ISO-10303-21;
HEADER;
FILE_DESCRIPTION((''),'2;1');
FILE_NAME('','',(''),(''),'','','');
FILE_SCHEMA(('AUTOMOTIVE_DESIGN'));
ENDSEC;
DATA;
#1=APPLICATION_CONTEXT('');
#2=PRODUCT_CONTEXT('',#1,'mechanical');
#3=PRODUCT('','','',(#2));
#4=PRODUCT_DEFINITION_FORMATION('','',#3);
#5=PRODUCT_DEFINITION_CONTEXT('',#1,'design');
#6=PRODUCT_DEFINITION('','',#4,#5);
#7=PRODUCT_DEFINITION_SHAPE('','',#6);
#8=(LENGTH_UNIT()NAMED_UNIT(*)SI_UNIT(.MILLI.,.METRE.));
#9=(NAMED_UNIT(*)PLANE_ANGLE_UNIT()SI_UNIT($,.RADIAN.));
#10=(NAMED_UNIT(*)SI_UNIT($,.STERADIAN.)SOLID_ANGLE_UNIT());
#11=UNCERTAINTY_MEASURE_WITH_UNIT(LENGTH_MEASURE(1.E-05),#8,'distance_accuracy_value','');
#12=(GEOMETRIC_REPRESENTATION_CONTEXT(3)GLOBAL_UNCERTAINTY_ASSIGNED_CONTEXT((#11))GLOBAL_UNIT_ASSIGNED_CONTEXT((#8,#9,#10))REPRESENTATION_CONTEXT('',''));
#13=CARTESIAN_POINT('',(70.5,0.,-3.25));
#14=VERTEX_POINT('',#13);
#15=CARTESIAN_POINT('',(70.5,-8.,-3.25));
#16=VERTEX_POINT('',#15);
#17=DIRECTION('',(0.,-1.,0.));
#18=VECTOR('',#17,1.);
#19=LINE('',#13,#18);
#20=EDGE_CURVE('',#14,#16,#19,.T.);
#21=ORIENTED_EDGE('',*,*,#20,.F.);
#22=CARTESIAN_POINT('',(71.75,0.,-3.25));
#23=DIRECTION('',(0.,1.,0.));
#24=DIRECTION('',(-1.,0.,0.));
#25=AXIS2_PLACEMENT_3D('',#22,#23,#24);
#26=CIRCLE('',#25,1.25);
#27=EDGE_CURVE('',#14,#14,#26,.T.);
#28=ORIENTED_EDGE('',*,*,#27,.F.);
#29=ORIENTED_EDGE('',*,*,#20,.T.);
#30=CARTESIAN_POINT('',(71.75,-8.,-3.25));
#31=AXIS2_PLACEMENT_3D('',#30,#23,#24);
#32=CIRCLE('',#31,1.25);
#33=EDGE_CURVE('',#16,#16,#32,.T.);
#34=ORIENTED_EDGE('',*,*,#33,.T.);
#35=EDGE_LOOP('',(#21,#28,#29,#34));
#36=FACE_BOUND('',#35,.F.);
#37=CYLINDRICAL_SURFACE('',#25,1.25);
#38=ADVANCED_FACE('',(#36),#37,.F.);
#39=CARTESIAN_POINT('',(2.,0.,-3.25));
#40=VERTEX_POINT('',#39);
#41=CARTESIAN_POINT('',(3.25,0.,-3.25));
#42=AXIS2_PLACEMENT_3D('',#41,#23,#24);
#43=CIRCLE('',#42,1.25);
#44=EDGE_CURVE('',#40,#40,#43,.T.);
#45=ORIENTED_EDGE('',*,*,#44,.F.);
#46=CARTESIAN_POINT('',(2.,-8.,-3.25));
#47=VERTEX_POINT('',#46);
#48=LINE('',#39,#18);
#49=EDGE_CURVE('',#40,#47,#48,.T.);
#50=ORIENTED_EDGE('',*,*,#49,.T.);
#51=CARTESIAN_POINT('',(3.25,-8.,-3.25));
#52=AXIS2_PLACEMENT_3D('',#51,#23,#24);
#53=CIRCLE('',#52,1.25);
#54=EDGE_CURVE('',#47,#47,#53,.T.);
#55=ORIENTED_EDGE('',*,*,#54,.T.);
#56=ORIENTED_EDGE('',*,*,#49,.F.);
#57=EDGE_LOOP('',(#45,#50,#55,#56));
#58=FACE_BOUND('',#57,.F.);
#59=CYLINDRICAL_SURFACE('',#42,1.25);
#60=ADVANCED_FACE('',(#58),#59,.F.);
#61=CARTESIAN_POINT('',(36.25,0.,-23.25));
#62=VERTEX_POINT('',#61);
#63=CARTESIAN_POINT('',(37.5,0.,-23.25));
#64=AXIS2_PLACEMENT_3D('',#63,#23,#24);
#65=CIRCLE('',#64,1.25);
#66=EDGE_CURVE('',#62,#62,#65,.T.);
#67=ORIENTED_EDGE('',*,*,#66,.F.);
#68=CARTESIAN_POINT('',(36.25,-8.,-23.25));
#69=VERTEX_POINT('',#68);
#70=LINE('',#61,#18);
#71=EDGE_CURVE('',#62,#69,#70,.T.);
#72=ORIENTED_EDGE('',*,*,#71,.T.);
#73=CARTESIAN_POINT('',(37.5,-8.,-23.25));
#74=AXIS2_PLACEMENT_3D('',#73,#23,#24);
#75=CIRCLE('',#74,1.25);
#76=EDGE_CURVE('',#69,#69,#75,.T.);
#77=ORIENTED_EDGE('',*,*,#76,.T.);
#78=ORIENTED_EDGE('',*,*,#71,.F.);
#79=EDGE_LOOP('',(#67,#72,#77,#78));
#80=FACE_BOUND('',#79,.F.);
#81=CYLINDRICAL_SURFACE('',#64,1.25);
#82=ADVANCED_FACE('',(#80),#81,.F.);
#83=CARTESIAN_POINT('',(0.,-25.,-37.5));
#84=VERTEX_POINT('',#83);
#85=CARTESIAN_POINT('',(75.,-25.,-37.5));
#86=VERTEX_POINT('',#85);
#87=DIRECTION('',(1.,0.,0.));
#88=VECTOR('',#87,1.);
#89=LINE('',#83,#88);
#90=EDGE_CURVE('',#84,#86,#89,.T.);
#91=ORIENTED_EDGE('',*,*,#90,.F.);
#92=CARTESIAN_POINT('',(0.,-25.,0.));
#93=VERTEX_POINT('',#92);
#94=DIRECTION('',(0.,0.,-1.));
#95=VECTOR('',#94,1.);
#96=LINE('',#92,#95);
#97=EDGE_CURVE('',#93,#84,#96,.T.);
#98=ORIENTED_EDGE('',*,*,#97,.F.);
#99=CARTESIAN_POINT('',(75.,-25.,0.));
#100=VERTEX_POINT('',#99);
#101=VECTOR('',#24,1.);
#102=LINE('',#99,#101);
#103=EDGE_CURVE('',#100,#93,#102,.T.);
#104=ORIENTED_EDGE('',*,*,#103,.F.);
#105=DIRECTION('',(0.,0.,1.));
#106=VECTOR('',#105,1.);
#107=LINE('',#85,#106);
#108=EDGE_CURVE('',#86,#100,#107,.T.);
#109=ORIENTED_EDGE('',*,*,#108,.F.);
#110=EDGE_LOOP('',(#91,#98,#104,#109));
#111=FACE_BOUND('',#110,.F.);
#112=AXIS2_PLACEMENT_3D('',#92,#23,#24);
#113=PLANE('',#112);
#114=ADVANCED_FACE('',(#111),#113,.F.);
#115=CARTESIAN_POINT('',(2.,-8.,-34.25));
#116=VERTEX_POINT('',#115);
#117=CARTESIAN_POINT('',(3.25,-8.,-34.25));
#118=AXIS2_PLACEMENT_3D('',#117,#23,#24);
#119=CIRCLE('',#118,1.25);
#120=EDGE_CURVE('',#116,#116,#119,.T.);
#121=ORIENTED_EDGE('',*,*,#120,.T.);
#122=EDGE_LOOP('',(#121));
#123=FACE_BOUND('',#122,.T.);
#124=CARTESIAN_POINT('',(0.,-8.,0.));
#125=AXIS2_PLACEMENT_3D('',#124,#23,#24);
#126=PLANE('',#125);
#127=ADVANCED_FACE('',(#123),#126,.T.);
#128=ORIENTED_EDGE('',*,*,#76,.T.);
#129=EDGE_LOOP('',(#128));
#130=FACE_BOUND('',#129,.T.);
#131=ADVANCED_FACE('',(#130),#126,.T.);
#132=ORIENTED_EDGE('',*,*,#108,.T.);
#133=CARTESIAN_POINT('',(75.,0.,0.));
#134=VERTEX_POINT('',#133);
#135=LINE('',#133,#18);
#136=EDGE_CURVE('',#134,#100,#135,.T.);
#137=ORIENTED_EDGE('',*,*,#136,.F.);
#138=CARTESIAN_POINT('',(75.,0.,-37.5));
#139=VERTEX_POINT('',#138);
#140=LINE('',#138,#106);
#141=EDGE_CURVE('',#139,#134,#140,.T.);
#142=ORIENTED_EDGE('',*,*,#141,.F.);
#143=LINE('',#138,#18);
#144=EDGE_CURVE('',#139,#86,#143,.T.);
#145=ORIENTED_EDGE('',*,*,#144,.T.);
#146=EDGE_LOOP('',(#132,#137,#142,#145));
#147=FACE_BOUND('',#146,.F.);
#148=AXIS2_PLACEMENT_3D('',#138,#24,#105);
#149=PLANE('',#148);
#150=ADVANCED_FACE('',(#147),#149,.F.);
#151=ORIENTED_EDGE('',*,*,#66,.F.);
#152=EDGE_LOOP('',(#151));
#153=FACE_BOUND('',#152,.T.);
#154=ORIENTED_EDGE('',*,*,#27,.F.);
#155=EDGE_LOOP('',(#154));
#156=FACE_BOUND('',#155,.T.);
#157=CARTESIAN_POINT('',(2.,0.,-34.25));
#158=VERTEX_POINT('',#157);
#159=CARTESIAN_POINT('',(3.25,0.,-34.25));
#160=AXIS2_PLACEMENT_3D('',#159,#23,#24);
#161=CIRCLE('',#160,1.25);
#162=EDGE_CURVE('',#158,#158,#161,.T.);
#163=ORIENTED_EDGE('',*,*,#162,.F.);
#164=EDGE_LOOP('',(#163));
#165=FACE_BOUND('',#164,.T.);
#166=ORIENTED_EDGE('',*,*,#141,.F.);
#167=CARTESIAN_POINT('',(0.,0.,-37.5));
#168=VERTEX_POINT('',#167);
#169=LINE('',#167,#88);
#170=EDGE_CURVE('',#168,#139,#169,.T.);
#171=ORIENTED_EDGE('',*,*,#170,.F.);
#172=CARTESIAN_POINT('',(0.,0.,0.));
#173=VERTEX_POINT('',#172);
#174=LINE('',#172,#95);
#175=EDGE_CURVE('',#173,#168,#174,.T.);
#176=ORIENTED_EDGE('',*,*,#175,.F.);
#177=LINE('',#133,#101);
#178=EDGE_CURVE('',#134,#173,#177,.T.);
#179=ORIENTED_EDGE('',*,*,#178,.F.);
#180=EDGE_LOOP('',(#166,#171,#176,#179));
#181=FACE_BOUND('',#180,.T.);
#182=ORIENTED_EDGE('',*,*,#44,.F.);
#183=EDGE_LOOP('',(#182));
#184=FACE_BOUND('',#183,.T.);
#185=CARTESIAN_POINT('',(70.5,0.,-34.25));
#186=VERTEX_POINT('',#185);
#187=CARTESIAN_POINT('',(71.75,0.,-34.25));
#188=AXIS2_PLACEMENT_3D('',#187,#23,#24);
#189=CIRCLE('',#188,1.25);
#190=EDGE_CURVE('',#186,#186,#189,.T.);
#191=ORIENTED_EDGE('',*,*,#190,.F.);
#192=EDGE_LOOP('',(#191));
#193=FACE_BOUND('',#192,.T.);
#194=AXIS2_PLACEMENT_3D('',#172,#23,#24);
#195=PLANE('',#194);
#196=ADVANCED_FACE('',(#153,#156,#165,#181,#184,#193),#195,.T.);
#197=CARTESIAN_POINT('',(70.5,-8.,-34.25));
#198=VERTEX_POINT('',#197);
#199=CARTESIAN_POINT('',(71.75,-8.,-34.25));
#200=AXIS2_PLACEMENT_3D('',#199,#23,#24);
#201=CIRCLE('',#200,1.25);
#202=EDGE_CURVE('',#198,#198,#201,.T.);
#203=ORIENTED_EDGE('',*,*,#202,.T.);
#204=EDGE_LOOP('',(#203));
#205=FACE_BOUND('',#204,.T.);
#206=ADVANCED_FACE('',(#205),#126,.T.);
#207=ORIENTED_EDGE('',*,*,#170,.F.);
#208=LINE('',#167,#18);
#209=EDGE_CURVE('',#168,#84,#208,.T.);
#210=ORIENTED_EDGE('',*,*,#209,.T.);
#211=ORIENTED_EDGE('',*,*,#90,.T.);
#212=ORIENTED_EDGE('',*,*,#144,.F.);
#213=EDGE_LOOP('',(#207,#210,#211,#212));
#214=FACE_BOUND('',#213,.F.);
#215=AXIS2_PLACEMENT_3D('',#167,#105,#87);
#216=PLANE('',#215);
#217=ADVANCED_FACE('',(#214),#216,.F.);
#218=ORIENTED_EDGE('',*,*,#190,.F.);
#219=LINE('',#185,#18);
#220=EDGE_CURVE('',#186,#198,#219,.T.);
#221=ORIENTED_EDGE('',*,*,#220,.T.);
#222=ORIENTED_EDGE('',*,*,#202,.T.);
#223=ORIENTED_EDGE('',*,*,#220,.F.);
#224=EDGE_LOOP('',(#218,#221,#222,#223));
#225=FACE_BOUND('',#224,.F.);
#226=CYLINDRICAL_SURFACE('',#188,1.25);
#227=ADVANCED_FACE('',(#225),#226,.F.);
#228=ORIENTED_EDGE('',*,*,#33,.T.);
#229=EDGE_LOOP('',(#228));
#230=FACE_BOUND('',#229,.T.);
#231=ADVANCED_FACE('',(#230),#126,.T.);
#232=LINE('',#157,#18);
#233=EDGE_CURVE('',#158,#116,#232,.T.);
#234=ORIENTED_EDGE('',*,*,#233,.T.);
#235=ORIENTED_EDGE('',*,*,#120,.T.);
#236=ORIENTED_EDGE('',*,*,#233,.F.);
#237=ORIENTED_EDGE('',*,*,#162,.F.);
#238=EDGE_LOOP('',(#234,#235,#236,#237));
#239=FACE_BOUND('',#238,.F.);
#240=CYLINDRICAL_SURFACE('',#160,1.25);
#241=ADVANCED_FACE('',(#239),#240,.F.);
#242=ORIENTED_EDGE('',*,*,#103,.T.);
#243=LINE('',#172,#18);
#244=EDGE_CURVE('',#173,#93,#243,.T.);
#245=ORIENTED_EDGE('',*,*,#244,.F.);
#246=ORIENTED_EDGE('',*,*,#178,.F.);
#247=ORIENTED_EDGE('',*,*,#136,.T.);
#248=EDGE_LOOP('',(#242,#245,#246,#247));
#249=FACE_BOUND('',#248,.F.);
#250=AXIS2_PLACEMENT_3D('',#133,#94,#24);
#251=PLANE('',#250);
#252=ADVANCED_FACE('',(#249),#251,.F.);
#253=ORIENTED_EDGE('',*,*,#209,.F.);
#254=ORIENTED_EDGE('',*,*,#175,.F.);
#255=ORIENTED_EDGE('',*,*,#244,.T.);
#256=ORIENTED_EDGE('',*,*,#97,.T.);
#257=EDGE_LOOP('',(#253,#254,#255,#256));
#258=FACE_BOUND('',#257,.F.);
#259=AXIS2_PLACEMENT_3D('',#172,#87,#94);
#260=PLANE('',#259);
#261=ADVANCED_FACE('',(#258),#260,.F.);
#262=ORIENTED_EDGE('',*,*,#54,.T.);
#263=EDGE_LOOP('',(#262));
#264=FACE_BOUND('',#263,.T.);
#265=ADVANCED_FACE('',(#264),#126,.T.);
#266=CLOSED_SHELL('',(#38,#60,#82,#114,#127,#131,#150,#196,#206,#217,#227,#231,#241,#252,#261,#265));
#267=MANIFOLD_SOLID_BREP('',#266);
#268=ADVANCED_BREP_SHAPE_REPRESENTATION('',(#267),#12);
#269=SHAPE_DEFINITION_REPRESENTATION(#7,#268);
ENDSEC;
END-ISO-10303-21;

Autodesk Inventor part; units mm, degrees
ref_plane "YZ Plane" through (0, 0, 0) normal (1, 0, 0) x (0, 1, 0)
ref_plane "XZ Plane" through (0, 0, 0) normal (0, 1, 0) x (-1, 0, 0)
ref_plane "XY Plane" through (0, 0, 0) normal (0, 0, 1) x (1, 0, 0)
sketch "Sketch1" plane through (0, 0, 0) normal (0, 1, 0) x (-1, 0, 0)
  line L0 (0, -37.5) -> (-75, -37.5)
  line L1 (-75, -37.5) -> (-75, 0)
  line L2 (-75, 0) -> (0, 0)
  line L3 (0, 0) -> (0, -37.5)
  line L4 (-3.25, -34.25) -> (-71.75, -34.25) construction
  line L5 (-71.75, -34.25) -> (-71.75, -3.25) construction
  line L6 (-71.75, -3.25) -> (-3.25, -3.25) construction
  line L7 (-3.25, -3.25) -> (-3.25, -34.25) construction
  circle A0 centre (-3.25, -34.25) radius 1.25
  circle A1 centre (-37.5, -23.25) radius 1.25
  circle A2 centre (-3.25, -3.25) radius 1.25
  circle A3 centre (-71.75, -3.25) radius 1.25
  circle A4 centre (-71.75, -34.25) radius 1.25
  point P0 (-37.5, -34.25)
  point P1 (-37.5, -37.5)
  point P2 (-3.25, -18.75)
  point P3 (0, -18.75)
  dimension "d0" = 37.5
  dimension "d1" = 75
  dimension "d2" = 31
  dimension "d3" = 68.5
  dimension "d4" = 2.5
  dimension "d6" = 2.5
  dimension "d7" = 2.5
  dimension "d8" = 2.5
  dimension "d9" = 2.5
  dimension "d10" = 34.25
  dimension "d11" = 11
extrude "Extrusion1" add sketch "Sketch1" against normal blind 25 contours L0 L1 L2 L3 | A0 | A1 | A2 | A3 | A4
extrude "Extrusion2" cut sketch "Sketch1" against normal blind 8 contours A0 | A1 | A2 | A3 | A4
properties part number "heatsink-CNC"
